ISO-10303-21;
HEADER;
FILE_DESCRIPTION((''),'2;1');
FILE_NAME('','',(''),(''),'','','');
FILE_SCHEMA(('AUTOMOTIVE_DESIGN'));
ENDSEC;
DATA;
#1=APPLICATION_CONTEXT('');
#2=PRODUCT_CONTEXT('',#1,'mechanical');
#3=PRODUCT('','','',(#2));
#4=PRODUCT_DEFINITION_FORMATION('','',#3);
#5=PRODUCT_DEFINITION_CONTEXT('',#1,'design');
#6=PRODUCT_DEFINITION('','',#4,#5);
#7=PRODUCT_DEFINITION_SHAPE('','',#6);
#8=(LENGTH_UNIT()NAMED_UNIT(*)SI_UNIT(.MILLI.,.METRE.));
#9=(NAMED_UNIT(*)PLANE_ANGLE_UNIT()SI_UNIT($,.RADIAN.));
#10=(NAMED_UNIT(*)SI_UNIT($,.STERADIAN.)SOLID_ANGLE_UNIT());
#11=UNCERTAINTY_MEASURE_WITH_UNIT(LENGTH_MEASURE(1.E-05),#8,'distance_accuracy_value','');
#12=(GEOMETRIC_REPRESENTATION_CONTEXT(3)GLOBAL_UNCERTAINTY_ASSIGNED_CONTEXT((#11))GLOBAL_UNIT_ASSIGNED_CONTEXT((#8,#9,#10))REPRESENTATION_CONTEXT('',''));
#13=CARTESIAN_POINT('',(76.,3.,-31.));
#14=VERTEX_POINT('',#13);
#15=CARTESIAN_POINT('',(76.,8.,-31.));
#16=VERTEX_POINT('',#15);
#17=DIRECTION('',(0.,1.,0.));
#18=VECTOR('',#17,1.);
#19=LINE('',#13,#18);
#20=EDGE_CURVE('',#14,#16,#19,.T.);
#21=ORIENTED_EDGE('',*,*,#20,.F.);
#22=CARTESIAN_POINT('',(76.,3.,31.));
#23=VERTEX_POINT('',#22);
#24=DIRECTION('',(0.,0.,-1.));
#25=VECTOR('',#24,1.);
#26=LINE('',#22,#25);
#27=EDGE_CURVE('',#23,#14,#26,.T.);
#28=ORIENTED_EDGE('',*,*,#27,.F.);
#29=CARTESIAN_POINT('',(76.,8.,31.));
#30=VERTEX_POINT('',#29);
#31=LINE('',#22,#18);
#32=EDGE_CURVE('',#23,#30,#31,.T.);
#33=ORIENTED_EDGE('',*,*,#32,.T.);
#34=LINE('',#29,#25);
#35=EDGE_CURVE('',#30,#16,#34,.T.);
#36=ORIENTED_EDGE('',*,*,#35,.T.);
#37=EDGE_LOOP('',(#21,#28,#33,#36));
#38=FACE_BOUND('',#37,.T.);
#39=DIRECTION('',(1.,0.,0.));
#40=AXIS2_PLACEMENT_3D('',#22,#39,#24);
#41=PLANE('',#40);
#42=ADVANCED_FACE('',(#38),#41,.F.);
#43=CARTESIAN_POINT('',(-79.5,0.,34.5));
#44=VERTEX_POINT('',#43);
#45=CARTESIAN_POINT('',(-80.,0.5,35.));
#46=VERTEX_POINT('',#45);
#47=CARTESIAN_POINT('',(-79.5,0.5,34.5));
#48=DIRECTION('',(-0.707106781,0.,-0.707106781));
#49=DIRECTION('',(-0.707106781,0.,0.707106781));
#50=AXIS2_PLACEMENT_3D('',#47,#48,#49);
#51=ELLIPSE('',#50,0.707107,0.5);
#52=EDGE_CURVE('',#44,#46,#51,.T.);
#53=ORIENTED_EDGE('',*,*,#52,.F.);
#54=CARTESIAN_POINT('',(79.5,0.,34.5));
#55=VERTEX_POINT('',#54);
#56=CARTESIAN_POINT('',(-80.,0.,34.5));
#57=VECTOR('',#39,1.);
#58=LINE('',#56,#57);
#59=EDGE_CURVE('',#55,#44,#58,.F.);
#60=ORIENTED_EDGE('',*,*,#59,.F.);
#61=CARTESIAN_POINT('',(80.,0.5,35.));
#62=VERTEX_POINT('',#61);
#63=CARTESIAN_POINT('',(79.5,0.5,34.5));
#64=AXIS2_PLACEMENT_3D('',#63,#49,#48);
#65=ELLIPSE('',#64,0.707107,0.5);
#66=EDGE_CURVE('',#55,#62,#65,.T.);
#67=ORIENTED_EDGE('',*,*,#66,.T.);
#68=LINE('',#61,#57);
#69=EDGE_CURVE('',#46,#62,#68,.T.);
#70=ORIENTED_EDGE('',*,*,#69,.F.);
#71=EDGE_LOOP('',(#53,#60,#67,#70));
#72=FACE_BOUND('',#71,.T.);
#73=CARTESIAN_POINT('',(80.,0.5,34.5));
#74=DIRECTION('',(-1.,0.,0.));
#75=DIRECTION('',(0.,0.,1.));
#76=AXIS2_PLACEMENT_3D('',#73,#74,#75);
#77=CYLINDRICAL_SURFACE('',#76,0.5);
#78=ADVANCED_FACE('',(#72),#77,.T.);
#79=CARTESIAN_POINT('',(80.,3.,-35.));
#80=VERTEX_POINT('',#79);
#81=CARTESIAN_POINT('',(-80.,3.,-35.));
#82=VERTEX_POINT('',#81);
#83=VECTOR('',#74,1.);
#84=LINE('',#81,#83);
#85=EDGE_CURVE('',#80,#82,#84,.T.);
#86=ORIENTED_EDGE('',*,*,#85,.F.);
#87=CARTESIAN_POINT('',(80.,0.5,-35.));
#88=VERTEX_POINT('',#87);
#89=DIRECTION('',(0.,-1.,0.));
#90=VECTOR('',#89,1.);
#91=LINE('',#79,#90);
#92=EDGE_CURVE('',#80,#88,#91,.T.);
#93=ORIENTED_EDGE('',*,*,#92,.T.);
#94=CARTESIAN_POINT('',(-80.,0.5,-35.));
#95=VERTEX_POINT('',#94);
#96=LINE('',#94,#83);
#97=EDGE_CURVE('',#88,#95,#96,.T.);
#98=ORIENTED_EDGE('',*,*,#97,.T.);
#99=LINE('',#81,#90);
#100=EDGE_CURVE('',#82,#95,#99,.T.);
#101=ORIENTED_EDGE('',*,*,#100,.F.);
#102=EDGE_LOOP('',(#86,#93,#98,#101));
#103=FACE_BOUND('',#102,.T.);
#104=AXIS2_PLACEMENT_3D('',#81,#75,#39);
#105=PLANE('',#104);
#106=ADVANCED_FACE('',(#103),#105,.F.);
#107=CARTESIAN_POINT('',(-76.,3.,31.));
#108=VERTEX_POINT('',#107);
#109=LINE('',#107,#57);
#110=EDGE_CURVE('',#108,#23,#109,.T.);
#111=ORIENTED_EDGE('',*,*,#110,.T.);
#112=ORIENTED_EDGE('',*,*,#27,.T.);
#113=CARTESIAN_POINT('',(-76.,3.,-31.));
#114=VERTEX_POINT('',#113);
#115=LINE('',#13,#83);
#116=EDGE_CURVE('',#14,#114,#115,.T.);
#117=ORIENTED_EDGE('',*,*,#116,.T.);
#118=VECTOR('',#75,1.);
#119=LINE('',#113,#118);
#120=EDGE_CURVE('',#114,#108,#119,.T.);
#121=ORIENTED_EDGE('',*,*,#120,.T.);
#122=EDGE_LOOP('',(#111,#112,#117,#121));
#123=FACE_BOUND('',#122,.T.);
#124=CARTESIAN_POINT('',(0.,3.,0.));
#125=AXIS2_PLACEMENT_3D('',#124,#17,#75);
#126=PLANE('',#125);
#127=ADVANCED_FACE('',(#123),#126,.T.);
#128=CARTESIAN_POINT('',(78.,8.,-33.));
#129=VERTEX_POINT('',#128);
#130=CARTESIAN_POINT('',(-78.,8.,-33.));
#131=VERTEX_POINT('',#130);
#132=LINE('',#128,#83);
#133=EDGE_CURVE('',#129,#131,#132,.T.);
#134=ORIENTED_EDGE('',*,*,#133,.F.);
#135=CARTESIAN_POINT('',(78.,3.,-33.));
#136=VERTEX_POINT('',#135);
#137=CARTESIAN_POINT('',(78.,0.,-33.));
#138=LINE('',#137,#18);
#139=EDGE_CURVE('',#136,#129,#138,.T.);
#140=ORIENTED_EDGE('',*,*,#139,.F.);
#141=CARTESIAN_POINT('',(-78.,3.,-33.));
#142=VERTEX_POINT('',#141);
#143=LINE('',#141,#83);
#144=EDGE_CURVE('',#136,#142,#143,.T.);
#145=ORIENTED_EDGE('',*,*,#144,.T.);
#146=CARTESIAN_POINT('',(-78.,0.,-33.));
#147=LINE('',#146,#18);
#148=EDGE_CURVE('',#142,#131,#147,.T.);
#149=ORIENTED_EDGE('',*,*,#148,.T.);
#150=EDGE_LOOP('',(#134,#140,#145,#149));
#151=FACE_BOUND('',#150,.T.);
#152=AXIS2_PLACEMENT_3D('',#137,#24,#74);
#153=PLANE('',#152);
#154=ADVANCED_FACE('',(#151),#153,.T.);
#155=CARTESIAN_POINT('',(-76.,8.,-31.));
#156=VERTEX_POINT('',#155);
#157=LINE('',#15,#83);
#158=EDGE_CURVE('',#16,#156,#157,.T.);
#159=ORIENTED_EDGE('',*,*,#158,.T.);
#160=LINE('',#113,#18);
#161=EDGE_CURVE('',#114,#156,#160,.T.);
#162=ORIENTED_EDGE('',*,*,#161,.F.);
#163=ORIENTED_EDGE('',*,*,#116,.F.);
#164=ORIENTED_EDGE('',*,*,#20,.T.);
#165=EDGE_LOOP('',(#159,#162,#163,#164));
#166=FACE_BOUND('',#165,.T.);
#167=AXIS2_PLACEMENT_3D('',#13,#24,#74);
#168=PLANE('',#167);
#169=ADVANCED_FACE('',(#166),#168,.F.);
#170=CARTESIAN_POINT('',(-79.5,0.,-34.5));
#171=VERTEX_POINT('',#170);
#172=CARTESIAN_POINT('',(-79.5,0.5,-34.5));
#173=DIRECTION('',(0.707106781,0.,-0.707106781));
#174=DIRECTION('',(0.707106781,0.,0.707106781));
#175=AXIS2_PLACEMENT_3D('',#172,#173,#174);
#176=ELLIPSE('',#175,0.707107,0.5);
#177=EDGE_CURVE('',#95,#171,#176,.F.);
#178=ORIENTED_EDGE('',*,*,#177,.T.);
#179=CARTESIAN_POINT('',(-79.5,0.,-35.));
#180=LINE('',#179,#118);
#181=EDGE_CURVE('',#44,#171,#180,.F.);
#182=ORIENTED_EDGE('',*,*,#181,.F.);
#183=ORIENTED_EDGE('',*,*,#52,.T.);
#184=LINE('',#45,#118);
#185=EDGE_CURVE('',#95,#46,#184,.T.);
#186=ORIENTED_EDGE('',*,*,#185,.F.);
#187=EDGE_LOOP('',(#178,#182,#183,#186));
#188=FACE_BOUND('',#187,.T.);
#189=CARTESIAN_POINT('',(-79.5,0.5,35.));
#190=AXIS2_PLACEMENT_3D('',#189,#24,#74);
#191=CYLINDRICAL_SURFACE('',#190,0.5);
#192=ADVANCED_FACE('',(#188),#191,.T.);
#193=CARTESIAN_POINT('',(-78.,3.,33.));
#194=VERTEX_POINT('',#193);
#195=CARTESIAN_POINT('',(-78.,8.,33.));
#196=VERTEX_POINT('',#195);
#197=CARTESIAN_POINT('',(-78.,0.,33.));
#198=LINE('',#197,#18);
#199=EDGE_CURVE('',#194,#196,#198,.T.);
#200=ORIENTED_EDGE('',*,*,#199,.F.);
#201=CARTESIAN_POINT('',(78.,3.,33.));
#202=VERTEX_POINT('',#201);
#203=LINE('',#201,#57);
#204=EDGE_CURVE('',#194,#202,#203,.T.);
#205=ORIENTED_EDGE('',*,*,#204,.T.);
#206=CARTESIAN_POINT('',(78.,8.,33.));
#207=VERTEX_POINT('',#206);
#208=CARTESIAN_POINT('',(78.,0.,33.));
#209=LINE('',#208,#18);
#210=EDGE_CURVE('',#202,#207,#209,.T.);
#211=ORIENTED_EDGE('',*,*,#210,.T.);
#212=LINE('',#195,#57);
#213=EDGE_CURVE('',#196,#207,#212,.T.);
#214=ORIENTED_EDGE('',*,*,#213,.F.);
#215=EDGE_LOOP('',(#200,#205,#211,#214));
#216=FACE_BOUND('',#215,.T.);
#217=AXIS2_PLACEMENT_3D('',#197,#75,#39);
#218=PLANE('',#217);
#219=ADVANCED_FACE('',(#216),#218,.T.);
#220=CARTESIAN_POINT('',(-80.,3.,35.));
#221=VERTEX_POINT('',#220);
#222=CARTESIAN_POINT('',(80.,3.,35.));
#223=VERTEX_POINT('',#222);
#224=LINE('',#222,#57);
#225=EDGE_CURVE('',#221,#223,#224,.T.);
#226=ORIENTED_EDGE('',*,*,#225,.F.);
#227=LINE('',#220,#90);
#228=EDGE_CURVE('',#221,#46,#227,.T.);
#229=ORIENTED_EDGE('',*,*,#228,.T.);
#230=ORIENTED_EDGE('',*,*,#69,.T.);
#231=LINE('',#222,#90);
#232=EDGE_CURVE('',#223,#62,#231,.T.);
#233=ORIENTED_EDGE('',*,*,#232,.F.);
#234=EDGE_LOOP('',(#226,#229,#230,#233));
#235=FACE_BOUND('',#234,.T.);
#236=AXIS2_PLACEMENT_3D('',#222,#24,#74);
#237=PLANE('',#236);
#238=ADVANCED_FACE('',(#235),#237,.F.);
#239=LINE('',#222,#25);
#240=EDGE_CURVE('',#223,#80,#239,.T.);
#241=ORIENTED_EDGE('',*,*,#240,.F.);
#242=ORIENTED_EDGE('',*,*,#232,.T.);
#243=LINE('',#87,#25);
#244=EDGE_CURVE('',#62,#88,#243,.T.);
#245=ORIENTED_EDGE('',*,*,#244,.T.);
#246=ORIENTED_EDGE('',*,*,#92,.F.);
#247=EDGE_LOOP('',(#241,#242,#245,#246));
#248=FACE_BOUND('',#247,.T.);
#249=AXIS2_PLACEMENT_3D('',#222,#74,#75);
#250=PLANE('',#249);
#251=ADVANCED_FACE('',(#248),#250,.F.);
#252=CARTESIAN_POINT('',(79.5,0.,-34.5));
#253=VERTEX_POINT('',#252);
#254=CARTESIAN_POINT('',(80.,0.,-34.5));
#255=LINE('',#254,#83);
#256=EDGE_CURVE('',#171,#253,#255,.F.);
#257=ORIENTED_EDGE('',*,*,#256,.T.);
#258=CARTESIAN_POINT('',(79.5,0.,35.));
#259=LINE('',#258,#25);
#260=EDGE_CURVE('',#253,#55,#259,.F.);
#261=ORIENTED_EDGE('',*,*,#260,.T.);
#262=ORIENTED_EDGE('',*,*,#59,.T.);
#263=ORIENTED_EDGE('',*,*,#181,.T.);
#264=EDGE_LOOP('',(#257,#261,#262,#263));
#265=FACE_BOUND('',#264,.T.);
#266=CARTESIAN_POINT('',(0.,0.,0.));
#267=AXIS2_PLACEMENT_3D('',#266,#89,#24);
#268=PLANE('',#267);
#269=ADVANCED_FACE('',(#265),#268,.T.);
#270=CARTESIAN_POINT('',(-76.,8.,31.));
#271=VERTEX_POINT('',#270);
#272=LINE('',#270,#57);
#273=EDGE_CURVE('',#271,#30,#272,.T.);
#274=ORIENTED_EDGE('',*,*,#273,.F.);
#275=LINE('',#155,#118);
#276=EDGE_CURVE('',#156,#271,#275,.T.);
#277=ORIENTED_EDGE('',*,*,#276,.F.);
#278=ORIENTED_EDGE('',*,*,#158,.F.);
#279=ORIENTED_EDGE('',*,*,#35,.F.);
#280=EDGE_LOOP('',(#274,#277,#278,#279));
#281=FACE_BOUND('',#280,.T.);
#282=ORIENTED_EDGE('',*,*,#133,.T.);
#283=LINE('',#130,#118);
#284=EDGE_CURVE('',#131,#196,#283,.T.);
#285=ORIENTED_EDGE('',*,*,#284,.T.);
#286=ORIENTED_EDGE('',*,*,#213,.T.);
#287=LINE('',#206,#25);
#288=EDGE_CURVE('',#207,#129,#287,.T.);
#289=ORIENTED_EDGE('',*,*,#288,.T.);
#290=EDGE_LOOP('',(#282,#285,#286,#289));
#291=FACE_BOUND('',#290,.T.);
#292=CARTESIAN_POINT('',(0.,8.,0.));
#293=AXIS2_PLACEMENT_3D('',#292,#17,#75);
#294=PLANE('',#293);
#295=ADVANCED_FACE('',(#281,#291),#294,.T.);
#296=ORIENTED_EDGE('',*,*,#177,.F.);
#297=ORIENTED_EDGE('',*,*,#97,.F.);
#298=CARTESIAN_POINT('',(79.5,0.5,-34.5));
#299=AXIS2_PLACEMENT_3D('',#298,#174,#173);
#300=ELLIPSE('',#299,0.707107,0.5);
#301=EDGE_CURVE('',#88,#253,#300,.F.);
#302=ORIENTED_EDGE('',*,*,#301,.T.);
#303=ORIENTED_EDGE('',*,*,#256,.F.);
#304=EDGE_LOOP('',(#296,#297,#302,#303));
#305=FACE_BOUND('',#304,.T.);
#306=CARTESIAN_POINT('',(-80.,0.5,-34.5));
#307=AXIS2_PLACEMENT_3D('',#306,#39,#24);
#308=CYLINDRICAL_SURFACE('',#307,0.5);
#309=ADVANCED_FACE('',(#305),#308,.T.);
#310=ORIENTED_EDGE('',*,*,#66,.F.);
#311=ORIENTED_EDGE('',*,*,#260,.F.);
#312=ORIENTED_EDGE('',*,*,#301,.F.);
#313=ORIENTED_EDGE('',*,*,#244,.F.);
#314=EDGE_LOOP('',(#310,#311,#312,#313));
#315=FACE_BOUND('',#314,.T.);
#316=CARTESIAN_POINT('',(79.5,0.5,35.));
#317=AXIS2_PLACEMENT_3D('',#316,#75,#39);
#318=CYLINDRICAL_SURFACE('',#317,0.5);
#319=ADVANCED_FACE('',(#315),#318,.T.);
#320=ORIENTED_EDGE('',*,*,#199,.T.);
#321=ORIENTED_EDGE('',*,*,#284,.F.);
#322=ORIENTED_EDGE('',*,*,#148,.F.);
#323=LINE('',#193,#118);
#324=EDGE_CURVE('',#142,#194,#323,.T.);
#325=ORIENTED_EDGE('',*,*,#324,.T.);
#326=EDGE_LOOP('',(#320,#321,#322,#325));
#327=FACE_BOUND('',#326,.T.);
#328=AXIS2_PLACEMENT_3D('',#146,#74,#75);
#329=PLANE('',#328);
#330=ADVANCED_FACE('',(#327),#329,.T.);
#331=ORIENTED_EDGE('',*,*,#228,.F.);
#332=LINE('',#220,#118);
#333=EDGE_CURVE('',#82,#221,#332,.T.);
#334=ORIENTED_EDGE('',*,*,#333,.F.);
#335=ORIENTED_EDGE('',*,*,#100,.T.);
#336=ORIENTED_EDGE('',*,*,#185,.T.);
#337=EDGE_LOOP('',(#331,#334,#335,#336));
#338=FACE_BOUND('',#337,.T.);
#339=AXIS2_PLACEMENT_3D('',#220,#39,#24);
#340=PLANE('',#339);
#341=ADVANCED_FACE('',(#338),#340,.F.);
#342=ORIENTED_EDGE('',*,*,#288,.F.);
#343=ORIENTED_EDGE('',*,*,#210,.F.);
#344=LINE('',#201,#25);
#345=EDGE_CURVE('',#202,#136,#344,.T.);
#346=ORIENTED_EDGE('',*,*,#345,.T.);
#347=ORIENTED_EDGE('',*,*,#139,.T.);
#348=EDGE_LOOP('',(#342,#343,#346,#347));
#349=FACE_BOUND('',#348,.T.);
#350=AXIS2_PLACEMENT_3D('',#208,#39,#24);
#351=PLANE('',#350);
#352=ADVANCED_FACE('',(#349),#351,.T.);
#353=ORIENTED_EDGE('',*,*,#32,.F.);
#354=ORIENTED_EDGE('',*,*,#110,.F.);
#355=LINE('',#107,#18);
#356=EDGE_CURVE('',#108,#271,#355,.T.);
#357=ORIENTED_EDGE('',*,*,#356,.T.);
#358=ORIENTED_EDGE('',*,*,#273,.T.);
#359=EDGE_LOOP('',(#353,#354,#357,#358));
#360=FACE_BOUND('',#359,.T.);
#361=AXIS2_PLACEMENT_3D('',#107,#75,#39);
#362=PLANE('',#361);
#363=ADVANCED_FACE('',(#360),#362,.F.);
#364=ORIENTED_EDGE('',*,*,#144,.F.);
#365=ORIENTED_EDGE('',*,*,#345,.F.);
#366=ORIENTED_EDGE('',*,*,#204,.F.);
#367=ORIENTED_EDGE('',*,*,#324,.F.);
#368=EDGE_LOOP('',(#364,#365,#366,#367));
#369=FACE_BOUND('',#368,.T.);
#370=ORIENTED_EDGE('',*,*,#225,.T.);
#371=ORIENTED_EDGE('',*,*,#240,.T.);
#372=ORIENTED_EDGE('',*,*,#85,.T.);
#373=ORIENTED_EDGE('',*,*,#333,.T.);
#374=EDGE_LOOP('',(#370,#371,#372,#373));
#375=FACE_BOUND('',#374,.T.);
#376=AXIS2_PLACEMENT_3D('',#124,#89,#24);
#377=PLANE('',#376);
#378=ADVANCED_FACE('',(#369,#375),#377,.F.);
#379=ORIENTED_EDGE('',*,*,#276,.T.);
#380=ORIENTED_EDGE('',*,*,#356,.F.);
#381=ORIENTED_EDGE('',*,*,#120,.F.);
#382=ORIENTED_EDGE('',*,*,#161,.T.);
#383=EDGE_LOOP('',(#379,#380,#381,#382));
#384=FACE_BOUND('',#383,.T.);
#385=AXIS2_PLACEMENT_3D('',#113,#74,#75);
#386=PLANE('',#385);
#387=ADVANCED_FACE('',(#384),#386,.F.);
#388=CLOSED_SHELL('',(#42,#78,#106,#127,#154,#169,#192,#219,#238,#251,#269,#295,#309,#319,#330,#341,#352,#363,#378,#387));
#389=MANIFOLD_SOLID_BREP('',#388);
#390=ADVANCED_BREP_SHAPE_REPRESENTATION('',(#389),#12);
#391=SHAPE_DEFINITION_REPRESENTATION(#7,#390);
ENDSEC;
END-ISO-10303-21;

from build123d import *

# Parameters (mm, degrees)
SKETCH_1_W           = 160
SKETCH_1_H           = 70
SKETCH_1_W_2         = 156
SKETCH_1_H_2         = 66
EXTRUDE_1_DEPTH      = 3
EXTRUDE_2_DEPTH      = 5
EXTRUDE_2_DEPTH_BACK = 3
SKETCH_2_W           = 156
SKETCH_2_H           = 66
SKETCH_3_W           = 152
SKETCH_3_H           = 62
CUT_EXTRUDE_1_DEPTH  = 5
FILLET_1_R           = 0.5


with BuildPart() as part:
    # 스케치1 → 보스-돌출1 (new body)
    with BuildSketch(Plane(origin=(0, 0, 0), x_dir=(1, 0, 0), z_dir=(0, 1, 0))):
        Rectangle(SKETCH_1_W, SKETCH_1_H)
        Rectangle(SKETCH_1_W_2, SKETCH_1_H_2, mode=Mode.SUBTRACT)
    extrude(amount=EXTRUDE_1_DEPTH)

    # 스케치2 → 보스-돌출2 (add, two sides: drawn at the far end of the back side and taken through both)
    with BuildSketch(Plane(origin=(0, 3, 0), x_dir=(1, 0, 0), z_dir=(0, 1, 0)).offset(-EXTRUDE_2_DEPTH_BACK)):
        Rectangle(SKETCH_2_W, SKETCH_2_H)
    extrude(amount=EXTRUDE_2_DEPTH + EXTRUDE_2_DEPTH_BACK)

    # 스케치3 → 컷-돌출1 (cut)
    with BuildSketch(Plane(origin=(0, 8, 0), x_dir=(1, 0, 0), z_dir=(0, 1, 0))):
        Rectangle(SKETCH_3_W, SKETCH_3_H)
    extrude(amount=-CUT_EXTRUDE_1_DEPTH, mode=Mode.SUBTRACT)

    # 필렛1
    fillet_1_edges = [part.edges().sort_by_distance(p)[0] for p in [
        (0, 0, -35),
        (80, 0, 0),
        (0, 0, 35),
        (-80, 0, 0),
    ]]
    fillet(fillet_1_edges, radius=FILLET_1_R)


solid = part.part
